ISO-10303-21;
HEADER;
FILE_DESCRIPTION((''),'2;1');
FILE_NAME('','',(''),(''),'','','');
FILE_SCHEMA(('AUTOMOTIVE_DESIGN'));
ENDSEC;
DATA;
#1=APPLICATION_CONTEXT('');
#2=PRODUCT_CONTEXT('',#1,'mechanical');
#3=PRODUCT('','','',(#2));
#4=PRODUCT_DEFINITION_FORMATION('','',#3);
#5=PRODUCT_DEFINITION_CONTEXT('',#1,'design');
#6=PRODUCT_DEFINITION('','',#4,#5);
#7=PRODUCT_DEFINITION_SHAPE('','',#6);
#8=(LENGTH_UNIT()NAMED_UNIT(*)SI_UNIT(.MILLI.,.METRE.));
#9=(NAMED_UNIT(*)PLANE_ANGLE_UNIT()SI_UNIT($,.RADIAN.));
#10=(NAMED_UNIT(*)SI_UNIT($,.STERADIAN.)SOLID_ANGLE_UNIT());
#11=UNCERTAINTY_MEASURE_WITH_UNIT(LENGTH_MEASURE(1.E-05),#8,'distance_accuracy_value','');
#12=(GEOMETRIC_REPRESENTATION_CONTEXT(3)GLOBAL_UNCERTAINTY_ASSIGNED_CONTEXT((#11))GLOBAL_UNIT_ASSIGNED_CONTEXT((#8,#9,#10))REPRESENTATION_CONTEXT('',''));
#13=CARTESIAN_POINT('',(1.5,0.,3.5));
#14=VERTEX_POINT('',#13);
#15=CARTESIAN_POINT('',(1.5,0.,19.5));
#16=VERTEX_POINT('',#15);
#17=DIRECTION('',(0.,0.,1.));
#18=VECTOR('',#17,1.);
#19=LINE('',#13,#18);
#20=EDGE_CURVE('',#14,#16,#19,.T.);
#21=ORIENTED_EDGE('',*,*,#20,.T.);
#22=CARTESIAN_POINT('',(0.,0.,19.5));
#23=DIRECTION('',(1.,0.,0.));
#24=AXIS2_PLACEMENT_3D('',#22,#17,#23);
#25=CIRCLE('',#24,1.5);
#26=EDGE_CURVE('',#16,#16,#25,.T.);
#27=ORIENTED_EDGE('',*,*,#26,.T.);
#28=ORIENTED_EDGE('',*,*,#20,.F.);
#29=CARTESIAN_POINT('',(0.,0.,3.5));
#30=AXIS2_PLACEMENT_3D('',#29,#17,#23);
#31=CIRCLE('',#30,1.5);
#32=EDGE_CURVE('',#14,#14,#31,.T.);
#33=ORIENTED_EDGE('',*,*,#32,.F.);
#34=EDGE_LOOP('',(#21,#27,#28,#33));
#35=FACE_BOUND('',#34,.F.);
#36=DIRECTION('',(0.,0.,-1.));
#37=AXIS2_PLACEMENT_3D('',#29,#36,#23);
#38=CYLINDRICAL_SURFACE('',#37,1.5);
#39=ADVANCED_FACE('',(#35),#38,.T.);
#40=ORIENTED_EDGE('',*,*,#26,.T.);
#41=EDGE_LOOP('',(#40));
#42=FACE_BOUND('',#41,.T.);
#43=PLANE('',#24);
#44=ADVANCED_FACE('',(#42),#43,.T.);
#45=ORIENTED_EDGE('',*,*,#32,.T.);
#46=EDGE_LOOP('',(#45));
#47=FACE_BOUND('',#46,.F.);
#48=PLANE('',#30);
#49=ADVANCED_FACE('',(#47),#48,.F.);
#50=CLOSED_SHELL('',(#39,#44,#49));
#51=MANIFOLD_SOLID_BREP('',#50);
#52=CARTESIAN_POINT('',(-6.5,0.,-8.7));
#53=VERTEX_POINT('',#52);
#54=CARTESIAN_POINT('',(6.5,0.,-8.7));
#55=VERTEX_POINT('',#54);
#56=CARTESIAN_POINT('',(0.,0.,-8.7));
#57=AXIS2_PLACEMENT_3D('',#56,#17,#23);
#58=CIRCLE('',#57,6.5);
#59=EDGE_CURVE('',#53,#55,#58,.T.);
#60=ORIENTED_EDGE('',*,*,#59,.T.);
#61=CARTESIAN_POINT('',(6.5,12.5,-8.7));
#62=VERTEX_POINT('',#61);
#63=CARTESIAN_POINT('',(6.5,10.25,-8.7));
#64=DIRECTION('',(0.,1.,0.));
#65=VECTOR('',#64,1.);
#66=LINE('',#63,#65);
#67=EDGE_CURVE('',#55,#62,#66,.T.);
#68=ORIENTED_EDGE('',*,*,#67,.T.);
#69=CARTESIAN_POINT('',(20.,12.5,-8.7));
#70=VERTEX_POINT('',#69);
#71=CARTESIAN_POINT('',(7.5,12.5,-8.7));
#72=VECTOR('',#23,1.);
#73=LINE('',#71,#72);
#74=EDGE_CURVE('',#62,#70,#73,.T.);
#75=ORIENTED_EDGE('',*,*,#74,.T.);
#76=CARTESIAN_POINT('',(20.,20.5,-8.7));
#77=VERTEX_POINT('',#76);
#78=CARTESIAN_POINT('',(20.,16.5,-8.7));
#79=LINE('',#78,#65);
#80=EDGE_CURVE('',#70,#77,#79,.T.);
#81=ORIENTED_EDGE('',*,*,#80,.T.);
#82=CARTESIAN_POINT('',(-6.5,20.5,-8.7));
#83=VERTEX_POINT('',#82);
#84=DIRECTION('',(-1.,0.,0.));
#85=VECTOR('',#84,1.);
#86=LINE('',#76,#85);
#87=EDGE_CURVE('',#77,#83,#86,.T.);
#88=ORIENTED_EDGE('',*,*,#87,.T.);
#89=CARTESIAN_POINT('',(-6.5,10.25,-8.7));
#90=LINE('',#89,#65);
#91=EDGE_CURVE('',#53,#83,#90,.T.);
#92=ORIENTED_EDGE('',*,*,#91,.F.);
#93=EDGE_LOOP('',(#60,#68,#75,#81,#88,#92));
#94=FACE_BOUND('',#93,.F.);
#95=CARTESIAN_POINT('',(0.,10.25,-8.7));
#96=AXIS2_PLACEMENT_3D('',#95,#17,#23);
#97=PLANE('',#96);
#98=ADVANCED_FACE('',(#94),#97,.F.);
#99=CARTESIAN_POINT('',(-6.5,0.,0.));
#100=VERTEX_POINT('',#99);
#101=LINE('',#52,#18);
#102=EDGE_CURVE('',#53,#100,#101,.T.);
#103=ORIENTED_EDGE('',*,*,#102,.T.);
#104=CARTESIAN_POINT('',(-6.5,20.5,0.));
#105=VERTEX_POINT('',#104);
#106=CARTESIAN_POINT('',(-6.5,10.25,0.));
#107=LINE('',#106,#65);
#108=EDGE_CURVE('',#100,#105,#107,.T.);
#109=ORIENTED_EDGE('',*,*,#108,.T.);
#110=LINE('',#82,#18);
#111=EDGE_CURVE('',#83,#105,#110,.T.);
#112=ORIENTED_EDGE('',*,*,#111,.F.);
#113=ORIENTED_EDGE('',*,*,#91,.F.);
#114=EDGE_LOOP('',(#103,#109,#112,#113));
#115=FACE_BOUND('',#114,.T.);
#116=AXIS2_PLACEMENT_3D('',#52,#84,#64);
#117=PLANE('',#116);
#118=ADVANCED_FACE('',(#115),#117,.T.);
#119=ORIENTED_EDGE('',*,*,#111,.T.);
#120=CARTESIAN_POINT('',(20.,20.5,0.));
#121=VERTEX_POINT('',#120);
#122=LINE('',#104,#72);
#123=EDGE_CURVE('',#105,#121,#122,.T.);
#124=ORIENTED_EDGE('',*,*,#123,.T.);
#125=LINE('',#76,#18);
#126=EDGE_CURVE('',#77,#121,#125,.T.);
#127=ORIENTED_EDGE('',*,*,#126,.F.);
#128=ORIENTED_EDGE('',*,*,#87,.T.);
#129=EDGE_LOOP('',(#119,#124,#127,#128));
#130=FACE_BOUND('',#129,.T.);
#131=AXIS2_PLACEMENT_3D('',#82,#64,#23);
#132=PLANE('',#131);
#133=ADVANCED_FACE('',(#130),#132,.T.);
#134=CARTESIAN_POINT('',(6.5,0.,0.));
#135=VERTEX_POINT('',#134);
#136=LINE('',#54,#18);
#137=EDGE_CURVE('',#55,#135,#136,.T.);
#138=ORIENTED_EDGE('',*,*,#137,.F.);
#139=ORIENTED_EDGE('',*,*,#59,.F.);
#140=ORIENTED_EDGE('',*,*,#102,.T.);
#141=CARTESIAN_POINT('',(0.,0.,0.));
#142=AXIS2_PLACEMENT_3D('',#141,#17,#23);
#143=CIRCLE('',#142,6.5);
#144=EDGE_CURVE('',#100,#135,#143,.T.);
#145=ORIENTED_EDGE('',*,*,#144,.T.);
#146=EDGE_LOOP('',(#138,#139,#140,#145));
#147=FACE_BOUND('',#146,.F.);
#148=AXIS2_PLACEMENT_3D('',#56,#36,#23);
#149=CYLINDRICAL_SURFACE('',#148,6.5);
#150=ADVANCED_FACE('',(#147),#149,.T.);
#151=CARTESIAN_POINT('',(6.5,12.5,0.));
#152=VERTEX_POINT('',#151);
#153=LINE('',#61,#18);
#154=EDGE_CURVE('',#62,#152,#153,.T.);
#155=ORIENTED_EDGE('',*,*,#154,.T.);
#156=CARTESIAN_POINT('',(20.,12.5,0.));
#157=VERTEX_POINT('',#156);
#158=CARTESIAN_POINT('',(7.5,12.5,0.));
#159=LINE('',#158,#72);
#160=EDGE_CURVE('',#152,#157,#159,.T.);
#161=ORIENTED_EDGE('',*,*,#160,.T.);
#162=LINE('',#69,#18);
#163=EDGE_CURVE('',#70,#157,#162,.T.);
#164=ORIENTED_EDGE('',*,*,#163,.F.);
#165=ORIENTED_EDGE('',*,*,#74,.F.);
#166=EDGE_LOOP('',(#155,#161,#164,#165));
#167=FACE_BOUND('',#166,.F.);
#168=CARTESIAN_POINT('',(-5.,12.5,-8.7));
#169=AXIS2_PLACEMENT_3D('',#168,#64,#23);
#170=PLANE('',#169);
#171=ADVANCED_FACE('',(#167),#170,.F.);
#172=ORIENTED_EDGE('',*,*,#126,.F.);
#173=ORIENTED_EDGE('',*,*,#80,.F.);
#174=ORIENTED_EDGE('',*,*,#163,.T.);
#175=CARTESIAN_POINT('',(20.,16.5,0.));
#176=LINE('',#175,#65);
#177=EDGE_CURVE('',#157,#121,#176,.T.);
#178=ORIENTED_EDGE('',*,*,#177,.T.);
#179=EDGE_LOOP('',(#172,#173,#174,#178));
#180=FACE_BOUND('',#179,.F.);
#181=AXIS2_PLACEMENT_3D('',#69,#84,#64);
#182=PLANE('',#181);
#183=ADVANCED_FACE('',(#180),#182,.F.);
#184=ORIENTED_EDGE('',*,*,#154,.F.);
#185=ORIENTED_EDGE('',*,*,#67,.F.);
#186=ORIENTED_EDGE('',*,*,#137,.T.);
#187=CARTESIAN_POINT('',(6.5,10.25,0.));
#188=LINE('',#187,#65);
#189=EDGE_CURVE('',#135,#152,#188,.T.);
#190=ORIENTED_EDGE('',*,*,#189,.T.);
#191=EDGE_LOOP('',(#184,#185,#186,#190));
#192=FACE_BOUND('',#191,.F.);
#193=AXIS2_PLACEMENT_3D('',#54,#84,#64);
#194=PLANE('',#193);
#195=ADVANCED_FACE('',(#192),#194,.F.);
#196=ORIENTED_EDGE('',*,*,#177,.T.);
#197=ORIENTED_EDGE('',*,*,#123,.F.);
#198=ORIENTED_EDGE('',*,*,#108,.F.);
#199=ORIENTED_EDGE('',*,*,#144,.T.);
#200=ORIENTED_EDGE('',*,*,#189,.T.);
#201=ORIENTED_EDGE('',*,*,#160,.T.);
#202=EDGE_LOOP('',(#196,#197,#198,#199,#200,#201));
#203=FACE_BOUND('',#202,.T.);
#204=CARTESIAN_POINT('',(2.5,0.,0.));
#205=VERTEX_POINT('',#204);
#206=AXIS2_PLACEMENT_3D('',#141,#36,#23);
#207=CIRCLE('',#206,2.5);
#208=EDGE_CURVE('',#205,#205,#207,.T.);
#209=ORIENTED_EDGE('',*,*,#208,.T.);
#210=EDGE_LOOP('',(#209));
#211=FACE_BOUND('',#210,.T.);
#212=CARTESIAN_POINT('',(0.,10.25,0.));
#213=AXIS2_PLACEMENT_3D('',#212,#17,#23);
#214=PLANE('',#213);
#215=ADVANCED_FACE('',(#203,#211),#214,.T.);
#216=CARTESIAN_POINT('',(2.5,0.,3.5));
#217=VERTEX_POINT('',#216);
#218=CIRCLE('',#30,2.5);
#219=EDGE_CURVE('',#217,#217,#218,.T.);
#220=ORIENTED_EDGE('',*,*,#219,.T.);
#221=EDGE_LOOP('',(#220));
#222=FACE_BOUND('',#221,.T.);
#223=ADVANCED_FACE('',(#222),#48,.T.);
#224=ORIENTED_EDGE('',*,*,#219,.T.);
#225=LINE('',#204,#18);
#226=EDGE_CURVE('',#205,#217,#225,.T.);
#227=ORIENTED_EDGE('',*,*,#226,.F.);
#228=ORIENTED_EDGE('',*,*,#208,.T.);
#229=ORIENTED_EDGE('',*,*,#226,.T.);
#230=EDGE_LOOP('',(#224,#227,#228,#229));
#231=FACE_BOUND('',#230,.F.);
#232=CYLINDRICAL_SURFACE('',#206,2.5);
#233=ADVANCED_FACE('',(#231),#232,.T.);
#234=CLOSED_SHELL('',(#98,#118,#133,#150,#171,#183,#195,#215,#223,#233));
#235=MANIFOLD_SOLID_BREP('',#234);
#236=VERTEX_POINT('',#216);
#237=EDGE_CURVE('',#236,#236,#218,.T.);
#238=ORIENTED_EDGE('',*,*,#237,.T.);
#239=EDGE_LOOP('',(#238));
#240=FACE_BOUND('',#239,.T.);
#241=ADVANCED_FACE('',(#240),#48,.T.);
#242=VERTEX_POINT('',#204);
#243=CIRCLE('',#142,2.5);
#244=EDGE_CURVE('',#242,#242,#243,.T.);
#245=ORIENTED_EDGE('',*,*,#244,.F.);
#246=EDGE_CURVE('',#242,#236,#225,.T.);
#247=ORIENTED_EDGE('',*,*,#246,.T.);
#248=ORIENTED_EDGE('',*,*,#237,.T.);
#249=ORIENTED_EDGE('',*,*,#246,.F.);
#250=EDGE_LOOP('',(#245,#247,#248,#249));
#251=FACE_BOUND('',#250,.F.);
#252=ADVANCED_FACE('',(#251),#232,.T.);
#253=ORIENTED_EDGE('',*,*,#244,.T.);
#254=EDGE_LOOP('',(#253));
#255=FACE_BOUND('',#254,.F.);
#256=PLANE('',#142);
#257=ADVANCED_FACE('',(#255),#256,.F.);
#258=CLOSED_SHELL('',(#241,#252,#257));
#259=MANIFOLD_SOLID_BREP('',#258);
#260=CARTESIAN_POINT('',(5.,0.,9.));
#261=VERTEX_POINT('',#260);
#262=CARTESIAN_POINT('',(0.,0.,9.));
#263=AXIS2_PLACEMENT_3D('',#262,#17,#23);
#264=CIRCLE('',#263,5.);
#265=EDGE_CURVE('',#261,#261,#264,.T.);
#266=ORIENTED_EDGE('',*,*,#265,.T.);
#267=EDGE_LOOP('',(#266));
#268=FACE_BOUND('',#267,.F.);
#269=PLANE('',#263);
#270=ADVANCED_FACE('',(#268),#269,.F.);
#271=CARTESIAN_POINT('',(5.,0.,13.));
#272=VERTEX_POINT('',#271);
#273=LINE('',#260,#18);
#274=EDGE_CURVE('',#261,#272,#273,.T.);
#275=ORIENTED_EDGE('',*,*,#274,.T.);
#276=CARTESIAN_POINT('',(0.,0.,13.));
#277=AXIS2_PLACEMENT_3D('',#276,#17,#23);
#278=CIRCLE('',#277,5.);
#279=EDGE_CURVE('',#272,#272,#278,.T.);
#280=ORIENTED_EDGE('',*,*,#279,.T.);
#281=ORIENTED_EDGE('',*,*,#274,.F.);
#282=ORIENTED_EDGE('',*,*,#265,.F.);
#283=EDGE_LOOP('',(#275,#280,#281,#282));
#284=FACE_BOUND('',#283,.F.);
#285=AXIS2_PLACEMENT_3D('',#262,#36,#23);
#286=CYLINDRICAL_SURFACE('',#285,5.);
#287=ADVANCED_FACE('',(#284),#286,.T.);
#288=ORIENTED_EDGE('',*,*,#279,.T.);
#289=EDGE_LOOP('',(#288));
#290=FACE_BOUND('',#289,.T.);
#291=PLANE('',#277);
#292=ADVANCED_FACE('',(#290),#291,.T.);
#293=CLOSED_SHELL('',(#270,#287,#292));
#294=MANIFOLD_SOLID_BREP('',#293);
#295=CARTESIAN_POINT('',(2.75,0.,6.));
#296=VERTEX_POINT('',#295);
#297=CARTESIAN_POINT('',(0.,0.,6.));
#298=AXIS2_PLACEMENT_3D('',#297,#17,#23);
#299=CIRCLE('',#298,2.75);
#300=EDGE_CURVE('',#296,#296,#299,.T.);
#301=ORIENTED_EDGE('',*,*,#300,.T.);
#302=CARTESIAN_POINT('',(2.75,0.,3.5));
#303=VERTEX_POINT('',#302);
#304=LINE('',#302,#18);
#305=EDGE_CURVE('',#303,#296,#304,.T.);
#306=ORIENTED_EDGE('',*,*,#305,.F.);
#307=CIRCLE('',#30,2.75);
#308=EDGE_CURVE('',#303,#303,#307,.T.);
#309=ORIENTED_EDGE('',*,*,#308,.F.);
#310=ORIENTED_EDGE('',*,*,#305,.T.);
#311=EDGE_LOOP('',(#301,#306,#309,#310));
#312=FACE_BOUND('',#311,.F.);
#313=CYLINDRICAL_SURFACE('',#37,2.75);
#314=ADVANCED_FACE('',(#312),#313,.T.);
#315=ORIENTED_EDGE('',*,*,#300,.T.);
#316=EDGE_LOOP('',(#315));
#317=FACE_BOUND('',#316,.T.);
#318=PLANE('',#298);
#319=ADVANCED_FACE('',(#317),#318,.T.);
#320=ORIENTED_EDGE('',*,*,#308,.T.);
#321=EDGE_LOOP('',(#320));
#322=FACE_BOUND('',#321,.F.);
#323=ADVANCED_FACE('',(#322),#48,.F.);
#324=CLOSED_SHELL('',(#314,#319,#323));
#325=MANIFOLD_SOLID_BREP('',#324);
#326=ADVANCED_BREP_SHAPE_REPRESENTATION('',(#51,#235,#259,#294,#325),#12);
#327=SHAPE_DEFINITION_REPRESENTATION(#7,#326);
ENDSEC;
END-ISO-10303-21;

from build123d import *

# Parameters (mm, degrees)
CYLINDER_R        = 1.5
CYLINDER_DEPTH    = 16
CYLINDER001_R     = 2.75
CYLINDER001_DEPTH = 2.5
CYLINDER003_R     = 6.5
CYLINDER003_DEPTH = 8.7
BOX001_W          = 25
BOX001_H          = 8
BOX001_DEPTH      = 8.7
BOX_W             = 13
BOX_H             = 20.5
BOX_DEPTH         = 8.7
CYLINDER002_R     = 2.5
CYLINDER002_DEPTH = 3.5
CYLINDER004_R     = 2.5
CYLINDER004_DEPTH = 3.5
CYLINDER005_R     = 5
CYLINDER005_DEPTH = 4


with BuildPart() as cylinder:
    # Cylinder → Cylinder (new body)
    with BuildSketch(Plane.XY.offset(3.5)):
        Circle(CYLINDER_R)
    extrude(amount=CYLINDER_DEPTH)


with BuildPart() as cylinder001:
    # Cylinder001 → Cylinder001 (new body)
    with BuildSketch(Plane.XY.offset(3.5)):
        Circle(CYLINDER001_R)
    extrude(amount=CYLINDER001_DEPTH)


with BuildPart() as cylinder003:
    # Cylinder003 → Cylinder003 (new body)
    with BuildSketch(Plane.XY.offset(-8.7)):
        Circle(CYLINDER003_R)
    extrude(amount=CYLINDER003_DEPTH)


with BuildPart() as cube001:
    # Box001 → Box001 (new body)
    with BuildSketch(Plane(origin=(-5, 12.5, -8.7), x_dir=(1, 0, 0), z_dir=(0, 0, 1))):
        with Locations((12.5, 4)):
            Rectangle(BOX001_W, BOX001_H)
    extrude(amount=BOX001_DEPTH)


with BuildPart() as cube:
    # Box → Box (new body)
    with BuildSketch(Plane(origin=(-6.5, 0, -8.7), x_dir=(1, 0, 0), z_dir=(0, 0, 1))):
        with Locations((6.5, 10.25)):
            Rectangle(BOX_W, BOX_H)
    extrude(amount=BOX_DEPTH)


with BuildPart() as motor:
    # Cylinder002 → Cylinder002 (new body)
    with BuildSketch(Plane.XY):
        Circle(CYLINDER002_R)
    extrude(amount=CYLINDER002_DEPTH)

    # Fusion: union Cylinder003, Cube001, Cube
    add(cylinder003.part)
    add(cube001.part)
    add(cube.part)


with BuildPart() as cylinder004:
    # Cylinder004 → Cylinder004 (new body)
    with BuildSketch(Plane.XY):
        Circle(CYLINDER004_R)
    extrude(amount=CYLINDER004_DEPTH)


with BuildPart() as bearing:
    # Cylinder005 → Cylinder005 (new body)
    with BuildSketch(Plane.XY.offset(9)):
        Circle(CYLINDER005_R)
    extrude(amount=CYLINDER005_DEPTH)


solid = Compound([cylinder.part, cylinder001.part, motor.part, cylinder004.part, bearing.part])
